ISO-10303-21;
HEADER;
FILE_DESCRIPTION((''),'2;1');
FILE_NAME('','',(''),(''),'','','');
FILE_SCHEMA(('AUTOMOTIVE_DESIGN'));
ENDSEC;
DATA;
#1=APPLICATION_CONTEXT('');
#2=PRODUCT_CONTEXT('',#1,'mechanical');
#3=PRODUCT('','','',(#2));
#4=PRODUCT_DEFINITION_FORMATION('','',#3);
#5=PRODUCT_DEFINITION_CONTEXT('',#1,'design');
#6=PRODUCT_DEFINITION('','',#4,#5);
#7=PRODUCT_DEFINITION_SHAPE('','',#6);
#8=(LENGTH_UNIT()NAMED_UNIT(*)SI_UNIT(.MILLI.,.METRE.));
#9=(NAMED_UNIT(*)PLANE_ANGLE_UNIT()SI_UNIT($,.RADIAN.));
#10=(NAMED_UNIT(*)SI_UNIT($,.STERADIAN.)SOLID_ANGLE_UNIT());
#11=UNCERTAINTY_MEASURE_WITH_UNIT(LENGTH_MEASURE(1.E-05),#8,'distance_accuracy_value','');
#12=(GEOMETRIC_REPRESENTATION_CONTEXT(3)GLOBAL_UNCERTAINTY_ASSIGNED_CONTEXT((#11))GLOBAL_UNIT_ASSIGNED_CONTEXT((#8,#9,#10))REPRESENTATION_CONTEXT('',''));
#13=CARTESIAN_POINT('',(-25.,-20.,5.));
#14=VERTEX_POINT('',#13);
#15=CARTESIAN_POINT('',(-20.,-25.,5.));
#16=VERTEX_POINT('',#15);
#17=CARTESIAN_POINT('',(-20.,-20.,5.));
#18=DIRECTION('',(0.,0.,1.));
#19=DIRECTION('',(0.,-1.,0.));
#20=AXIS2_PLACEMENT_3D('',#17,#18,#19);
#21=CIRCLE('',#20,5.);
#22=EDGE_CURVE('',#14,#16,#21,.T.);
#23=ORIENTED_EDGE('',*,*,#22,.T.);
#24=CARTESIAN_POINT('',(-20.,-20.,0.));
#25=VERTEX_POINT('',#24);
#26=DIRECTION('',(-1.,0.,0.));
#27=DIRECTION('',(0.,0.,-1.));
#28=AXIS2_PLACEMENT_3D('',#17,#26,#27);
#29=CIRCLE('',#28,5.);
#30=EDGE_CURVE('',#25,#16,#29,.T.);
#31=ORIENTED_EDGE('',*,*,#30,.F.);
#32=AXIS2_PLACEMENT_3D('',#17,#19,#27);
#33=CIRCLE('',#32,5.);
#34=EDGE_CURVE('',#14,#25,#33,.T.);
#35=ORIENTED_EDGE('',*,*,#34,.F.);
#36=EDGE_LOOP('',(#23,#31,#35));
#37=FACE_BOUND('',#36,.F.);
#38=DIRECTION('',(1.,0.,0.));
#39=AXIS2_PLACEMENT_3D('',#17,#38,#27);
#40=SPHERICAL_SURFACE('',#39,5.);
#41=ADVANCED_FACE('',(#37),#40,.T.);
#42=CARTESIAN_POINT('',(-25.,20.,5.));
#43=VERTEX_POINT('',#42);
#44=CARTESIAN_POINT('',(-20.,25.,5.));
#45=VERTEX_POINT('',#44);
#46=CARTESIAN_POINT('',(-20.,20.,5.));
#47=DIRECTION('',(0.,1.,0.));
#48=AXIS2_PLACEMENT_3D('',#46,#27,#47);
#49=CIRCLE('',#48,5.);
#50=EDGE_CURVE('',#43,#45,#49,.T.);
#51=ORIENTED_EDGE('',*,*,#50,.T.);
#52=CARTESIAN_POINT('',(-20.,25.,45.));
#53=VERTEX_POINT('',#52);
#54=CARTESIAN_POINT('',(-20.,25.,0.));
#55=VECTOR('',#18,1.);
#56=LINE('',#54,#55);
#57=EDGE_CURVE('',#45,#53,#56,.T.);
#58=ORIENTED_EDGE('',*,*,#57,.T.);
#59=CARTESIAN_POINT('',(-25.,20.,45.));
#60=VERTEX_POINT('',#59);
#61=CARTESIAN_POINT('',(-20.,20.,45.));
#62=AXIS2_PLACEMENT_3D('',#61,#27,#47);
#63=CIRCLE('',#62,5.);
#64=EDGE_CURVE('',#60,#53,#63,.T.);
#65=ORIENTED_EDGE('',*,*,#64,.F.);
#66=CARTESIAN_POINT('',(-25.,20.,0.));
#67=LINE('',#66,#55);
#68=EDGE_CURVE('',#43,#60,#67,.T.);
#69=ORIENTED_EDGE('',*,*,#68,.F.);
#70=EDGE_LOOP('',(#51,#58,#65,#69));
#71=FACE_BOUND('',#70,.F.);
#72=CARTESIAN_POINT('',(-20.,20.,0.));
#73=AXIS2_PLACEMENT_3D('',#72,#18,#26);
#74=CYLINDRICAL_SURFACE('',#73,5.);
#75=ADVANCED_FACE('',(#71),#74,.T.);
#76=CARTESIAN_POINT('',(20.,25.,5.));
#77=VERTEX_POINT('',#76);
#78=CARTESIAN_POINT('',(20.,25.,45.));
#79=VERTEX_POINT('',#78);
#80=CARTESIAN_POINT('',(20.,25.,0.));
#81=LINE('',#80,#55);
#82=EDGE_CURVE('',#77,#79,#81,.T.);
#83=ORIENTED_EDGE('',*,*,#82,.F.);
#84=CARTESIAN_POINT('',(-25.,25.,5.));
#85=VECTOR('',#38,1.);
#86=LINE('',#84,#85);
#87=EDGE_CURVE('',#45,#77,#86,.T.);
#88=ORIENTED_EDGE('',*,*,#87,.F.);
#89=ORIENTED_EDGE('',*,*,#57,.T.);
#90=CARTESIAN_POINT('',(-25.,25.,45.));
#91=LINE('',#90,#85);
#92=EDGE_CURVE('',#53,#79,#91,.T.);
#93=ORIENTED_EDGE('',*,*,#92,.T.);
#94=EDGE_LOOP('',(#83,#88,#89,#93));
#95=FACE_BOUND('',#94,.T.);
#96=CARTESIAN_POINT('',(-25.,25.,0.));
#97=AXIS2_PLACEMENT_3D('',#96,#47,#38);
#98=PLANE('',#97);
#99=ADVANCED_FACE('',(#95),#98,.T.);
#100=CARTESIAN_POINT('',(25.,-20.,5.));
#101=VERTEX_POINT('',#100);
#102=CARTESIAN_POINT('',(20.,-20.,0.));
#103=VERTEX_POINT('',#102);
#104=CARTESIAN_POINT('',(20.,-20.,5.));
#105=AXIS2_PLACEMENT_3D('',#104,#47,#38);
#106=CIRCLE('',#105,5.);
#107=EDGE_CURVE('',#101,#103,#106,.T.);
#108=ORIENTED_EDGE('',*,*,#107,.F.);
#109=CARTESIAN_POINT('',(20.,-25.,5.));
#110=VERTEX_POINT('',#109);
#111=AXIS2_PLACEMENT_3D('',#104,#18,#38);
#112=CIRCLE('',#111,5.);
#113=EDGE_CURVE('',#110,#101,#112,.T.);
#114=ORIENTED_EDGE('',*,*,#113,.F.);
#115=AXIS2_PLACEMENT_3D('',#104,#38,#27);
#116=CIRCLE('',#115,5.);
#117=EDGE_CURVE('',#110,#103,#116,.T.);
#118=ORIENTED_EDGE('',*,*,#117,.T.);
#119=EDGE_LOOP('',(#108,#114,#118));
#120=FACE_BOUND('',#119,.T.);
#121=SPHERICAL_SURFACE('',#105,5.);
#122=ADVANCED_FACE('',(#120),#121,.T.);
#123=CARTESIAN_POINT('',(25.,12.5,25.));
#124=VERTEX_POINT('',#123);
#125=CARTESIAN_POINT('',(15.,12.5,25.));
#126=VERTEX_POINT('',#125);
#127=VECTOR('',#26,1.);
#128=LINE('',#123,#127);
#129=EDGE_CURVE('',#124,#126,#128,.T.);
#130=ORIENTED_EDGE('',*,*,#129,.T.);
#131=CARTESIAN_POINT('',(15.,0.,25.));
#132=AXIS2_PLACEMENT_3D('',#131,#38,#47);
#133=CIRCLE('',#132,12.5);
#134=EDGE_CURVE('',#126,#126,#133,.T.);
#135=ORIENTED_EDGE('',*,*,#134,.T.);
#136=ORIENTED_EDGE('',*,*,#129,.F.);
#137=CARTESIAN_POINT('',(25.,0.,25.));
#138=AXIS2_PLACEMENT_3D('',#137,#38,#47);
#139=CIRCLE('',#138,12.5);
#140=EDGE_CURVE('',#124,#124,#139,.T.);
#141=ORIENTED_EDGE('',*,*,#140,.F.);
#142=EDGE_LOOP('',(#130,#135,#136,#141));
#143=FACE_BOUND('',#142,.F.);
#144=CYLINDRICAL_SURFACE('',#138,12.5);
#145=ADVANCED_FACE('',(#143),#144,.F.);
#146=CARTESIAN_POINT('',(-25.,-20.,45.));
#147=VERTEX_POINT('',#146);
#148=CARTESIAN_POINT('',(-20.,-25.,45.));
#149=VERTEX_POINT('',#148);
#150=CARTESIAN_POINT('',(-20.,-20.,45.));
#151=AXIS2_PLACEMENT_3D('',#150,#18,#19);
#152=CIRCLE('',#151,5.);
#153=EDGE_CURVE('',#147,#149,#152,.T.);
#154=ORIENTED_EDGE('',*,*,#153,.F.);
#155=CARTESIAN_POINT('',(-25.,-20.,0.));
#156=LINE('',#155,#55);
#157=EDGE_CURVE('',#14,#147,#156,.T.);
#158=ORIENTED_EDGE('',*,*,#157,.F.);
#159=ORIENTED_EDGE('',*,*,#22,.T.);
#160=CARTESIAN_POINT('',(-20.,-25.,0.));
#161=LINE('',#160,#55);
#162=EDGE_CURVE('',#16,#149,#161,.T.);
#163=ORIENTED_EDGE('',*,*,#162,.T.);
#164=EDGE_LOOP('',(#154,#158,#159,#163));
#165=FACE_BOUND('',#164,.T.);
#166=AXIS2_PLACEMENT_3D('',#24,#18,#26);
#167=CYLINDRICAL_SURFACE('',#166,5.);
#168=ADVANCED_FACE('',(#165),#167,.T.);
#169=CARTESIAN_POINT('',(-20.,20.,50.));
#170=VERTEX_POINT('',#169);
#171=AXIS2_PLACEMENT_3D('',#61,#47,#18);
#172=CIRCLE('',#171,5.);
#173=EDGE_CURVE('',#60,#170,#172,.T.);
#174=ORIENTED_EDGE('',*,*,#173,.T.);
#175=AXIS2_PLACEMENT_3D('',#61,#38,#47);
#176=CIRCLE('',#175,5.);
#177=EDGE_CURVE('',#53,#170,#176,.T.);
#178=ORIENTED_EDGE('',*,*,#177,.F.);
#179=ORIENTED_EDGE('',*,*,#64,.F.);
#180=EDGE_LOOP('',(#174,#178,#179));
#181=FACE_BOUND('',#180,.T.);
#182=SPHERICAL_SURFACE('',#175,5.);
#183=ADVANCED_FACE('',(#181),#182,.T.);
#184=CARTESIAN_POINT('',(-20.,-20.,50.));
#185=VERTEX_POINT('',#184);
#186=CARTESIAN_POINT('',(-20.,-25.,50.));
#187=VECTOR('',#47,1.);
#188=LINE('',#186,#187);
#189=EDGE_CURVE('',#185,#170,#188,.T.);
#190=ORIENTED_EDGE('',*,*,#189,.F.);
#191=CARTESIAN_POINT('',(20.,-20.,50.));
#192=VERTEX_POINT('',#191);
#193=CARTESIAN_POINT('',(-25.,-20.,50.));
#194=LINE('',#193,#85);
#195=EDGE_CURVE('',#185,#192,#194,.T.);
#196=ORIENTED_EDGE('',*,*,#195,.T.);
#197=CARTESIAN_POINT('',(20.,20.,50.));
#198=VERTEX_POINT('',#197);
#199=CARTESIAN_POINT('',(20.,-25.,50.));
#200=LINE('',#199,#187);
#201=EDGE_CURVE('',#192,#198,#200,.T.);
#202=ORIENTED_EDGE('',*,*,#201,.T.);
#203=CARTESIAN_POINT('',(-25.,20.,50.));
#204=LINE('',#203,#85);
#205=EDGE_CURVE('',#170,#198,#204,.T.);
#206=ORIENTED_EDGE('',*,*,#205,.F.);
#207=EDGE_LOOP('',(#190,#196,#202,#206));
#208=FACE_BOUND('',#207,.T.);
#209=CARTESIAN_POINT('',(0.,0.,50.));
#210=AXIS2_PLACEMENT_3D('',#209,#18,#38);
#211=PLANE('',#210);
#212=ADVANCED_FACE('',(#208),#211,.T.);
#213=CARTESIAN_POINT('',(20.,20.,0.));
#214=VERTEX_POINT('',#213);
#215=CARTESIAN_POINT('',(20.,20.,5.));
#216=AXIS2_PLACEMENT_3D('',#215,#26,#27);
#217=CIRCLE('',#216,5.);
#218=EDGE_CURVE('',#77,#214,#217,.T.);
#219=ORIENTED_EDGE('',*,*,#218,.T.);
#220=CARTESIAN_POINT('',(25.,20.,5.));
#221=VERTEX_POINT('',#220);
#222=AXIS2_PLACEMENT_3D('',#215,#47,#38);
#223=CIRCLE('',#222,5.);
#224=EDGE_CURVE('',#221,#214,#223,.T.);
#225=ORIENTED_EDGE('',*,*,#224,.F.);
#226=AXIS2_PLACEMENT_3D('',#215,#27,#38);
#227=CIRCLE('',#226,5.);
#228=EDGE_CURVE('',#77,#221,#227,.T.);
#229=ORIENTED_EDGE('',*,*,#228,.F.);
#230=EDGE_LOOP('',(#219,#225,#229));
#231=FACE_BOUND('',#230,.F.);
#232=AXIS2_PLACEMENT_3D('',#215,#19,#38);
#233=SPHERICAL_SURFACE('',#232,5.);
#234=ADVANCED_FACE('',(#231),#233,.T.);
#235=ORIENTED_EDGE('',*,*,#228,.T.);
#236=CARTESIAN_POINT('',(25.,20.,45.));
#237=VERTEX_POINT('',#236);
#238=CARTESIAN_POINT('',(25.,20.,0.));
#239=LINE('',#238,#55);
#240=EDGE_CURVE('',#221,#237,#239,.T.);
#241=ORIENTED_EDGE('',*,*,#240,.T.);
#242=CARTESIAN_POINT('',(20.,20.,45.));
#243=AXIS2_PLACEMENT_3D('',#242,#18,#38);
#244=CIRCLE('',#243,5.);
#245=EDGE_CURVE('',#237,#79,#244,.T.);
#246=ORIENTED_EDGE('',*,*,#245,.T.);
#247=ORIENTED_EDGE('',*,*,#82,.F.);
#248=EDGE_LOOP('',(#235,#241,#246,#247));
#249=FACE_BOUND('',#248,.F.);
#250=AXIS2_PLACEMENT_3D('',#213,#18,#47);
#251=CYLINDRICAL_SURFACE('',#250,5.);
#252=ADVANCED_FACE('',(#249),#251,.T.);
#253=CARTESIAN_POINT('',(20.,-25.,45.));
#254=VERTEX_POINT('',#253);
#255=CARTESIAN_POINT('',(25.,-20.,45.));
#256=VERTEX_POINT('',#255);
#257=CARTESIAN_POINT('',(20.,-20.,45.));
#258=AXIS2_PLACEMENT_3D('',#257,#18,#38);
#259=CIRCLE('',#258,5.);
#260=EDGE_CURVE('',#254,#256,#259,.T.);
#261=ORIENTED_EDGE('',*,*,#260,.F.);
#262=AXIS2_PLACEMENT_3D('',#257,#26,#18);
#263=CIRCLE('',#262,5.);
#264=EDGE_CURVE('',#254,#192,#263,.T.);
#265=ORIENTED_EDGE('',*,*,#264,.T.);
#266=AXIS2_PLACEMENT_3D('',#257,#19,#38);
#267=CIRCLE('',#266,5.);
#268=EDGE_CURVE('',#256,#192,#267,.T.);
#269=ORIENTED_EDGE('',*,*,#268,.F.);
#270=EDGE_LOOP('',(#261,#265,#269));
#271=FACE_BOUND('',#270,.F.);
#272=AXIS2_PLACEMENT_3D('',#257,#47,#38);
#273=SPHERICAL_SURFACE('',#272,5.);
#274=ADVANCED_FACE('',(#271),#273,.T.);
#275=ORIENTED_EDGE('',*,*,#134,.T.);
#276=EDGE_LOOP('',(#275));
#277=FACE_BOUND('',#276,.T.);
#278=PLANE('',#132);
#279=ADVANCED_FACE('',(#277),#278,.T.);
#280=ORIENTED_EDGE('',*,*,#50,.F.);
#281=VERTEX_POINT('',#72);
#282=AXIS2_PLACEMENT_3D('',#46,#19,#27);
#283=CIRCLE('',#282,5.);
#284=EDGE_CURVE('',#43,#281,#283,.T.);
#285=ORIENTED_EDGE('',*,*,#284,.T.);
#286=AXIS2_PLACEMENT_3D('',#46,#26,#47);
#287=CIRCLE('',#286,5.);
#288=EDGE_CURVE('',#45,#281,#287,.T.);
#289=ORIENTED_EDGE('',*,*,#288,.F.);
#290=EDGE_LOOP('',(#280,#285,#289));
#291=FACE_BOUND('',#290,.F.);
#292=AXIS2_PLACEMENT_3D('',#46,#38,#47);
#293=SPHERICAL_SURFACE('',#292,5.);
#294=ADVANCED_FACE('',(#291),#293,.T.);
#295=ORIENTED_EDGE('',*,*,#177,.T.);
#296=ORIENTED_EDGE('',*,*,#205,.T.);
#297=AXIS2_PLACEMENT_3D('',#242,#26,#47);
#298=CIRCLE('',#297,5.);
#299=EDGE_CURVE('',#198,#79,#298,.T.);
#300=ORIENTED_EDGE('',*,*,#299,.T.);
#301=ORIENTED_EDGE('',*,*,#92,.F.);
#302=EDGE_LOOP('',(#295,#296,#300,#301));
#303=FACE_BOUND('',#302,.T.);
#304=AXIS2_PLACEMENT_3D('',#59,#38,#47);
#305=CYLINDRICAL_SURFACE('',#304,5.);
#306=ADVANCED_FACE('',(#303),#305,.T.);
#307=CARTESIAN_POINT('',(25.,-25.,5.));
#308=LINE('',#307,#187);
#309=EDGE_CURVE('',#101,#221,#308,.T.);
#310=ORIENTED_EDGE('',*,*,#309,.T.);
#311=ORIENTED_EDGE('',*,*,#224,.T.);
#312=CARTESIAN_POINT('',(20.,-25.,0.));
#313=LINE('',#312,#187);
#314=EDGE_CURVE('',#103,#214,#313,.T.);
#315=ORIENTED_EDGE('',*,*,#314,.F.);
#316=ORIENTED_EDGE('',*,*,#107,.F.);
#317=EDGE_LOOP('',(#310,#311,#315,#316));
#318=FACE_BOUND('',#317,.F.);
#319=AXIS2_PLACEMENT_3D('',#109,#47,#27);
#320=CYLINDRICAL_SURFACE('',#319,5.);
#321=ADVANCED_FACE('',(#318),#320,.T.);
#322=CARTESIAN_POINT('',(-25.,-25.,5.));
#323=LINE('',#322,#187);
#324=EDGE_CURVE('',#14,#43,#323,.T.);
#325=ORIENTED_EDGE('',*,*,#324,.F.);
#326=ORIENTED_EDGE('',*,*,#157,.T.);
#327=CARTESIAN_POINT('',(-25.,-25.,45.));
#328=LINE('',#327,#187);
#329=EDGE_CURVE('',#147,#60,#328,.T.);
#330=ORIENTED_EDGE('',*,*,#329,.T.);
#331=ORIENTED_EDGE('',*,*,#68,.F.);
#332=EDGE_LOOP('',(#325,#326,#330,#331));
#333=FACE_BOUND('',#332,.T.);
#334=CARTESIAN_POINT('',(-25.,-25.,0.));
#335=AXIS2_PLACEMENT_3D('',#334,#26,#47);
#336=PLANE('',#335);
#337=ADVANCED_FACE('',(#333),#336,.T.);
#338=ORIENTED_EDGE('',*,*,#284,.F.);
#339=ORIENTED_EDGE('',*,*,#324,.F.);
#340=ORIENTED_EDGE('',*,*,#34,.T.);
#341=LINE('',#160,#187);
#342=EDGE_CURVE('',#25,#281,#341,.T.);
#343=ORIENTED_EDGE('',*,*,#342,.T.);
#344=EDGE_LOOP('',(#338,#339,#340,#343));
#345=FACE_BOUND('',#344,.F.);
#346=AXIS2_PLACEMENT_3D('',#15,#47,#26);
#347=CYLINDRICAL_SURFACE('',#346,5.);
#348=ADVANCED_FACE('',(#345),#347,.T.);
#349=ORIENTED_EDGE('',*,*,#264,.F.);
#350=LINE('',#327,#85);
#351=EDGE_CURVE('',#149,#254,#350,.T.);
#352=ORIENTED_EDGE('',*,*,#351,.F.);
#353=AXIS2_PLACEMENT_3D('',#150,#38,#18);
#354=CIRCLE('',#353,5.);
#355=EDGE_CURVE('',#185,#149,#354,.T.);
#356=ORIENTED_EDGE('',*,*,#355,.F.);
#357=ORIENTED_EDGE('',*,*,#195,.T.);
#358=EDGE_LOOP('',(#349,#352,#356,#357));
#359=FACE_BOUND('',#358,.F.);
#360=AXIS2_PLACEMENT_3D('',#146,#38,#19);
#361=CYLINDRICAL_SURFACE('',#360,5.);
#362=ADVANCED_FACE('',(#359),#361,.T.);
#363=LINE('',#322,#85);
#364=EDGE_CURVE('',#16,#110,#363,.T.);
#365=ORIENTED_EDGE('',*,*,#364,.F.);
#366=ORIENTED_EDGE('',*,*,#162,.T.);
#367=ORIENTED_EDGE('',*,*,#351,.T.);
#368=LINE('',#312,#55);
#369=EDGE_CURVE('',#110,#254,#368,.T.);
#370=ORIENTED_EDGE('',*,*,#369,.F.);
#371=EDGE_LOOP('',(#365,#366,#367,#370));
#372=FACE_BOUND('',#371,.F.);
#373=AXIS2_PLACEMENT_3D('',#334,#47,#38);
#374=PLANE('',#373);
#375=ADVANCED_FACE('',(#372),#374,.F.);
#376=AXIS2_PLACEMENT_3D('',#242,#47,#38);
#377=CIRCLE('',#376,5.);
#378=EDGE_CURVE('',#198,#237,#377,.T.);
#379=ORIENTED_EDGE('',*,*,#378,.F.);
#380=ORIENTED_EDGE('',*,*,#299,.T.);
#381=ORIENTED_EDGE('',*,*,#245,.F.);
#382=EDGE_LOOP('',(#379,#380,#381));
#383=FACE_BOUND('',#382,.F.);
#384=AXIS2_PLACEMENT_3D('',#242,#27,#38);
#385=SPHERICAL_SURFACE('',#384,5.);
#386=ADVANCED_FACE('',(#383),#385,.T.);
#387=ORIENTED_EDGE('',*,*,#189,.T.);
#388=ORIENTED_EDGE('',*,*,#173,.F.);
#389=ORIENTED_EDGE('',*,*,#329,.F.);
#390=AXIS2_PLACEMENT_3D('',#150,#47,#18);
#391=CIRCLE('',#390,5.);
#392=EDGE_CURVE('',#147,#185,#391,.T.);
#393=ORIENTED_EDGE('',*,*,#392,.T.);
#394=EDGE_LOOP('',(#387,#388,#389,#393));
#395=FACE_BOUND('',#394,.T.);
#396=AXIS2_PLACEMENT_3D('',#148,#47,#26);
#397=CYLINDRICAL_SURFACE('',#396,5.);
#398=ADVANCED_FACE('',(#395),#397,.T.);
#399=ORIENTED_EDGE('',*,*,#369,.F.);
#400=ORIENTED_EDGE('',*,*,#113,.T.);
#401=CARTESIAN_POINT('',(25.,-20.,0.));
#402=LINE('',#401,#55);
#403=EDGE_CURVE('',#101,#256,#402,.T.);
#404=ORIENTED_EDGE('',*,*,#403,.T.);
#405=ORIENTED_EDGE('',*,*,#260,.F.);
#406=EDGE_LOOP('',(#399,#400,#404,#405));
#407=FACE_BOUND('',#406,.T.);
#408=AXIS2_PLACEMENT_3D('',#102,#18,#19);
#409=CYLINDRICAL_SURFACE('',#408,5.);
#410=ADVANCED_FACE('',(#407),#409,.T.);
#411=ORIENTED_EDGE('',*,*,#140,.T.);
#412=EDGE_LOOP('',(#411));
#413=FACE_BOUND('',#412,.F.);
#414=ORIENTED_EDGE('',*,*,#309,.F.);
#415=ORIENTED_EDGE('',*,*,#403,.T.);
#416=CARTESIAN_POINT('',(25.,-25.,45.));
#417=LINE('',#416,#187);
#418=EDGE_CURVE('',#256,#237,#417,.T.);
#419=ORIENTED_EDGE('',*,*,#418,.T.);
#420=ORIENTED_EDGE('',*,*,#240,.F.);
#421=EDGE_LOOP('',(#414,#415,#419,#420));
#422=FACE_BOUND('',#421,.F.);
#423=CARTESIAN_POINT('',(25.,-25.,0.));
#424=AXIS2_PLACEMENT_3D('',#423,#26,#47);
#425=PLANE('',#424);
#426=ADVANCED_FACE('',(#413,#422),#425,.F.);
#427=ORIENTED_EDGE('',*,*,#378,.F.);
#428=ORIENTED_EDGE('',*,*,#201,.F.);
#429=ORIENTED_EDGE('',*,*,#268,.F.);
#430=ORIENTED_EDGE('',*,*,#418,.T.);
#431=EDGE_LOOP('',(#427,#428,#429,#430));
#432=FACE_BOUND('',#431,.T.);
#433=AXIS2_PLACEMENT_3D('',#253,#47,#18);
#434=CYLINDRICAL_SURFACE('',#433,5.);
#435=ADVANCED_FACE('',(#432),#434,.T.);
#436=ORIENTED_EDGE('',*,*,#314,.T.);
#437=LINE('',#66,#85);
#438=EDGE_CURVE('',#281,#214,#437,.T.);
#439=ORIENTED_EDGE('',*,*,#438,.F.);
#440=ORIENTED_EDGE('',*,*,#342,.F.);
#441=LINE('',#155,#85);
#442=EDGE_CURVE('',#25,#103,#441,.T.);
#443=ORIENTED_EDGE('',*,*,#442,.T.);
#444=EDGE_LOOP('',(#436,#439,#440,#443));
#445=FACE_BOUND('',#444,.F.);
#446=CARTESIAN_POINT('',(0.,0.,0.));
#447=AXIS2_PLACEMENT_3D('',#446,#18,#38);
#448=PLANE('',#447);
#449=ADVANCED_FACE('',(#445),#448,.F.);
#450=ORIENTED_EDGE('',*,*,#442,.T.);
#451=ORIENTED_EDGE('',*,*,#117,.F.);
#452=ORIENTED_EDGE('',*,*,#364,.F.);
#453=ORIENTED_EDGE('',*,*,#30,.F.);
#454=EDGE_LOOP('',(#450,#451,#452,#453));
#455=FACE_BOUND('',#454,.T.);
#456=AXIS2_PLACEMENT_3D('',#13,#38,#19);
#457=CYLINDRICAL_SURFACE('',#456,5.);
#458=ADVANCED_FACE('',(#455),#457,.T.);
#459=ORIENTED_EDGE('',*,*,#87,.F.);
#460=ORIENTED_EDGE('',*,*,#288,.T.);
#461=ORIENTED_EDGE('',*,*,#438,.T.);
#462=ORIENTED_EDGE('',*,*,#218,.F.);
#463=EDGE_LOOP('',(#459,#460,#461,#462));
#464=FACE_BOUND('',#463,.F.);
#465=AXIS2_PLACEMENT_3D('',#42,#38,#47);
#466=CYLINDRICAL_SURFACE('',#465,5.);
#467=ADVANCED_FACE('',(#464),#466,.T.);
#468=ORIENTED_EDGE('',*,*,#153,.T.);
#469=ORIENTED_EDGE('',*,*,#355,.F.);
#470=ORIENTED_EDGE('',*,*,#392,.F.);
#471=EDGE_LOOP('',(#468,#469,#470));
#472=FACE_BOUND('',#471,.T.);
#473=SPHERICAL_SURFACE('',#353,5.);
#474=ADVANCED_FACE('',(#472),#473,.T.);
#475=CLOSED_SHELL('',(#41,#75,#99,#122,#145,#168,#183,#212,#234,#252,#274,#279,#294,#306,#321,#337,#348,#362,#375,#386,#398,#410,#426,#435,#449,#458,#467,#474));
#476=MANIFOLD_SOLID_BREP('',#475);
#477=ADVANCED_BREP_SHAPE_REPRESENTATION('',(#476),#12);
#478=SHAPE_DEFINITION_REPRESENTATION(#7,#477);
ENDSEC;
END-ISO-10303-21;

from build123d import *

# Parameters (mm, degrees)
F0_W     = 50
F0_H     = 50
F1_DEPTH = 50
F2_R     = 12.5
F3_DEPTH = 10
F4_R     = 5


with BuildPart() as f1:
    # F0 (on Top) → F1 (new body)
    with BuildSketch(Plane.XY):
        Rectangle(F0_W, F0_H)
    extrude(amount=F1_DEPTH)

    # F2 (on face) → F3 (cut)
    with BuildSketch(Plane.YZ.offset(25)):
        with Locations((0, 25)):
            Circle(F2_R)
    extrude(amount=-F3_DEPTH, mode=Mode.SUBTRACT)

    # F4
    f4_edges = [f1.edges().sort_by_distance(p)[0] for p in [
        (25, 0, 0),
        (25, 25, 25),
        (25, 0, 50),
        (25, -25, 25),
        (0, 25, 0),
        (0, -25, 0),
        (0, -25, 50),
        (0, 25, 50),
        (-25, 25, 25),
        (-25, 0, 0),
        (-25, 0, 50),
        (-25, -25, 25),
    ]]
    fillet(f4_edges, radius=F4_R)


solid = f1.part
